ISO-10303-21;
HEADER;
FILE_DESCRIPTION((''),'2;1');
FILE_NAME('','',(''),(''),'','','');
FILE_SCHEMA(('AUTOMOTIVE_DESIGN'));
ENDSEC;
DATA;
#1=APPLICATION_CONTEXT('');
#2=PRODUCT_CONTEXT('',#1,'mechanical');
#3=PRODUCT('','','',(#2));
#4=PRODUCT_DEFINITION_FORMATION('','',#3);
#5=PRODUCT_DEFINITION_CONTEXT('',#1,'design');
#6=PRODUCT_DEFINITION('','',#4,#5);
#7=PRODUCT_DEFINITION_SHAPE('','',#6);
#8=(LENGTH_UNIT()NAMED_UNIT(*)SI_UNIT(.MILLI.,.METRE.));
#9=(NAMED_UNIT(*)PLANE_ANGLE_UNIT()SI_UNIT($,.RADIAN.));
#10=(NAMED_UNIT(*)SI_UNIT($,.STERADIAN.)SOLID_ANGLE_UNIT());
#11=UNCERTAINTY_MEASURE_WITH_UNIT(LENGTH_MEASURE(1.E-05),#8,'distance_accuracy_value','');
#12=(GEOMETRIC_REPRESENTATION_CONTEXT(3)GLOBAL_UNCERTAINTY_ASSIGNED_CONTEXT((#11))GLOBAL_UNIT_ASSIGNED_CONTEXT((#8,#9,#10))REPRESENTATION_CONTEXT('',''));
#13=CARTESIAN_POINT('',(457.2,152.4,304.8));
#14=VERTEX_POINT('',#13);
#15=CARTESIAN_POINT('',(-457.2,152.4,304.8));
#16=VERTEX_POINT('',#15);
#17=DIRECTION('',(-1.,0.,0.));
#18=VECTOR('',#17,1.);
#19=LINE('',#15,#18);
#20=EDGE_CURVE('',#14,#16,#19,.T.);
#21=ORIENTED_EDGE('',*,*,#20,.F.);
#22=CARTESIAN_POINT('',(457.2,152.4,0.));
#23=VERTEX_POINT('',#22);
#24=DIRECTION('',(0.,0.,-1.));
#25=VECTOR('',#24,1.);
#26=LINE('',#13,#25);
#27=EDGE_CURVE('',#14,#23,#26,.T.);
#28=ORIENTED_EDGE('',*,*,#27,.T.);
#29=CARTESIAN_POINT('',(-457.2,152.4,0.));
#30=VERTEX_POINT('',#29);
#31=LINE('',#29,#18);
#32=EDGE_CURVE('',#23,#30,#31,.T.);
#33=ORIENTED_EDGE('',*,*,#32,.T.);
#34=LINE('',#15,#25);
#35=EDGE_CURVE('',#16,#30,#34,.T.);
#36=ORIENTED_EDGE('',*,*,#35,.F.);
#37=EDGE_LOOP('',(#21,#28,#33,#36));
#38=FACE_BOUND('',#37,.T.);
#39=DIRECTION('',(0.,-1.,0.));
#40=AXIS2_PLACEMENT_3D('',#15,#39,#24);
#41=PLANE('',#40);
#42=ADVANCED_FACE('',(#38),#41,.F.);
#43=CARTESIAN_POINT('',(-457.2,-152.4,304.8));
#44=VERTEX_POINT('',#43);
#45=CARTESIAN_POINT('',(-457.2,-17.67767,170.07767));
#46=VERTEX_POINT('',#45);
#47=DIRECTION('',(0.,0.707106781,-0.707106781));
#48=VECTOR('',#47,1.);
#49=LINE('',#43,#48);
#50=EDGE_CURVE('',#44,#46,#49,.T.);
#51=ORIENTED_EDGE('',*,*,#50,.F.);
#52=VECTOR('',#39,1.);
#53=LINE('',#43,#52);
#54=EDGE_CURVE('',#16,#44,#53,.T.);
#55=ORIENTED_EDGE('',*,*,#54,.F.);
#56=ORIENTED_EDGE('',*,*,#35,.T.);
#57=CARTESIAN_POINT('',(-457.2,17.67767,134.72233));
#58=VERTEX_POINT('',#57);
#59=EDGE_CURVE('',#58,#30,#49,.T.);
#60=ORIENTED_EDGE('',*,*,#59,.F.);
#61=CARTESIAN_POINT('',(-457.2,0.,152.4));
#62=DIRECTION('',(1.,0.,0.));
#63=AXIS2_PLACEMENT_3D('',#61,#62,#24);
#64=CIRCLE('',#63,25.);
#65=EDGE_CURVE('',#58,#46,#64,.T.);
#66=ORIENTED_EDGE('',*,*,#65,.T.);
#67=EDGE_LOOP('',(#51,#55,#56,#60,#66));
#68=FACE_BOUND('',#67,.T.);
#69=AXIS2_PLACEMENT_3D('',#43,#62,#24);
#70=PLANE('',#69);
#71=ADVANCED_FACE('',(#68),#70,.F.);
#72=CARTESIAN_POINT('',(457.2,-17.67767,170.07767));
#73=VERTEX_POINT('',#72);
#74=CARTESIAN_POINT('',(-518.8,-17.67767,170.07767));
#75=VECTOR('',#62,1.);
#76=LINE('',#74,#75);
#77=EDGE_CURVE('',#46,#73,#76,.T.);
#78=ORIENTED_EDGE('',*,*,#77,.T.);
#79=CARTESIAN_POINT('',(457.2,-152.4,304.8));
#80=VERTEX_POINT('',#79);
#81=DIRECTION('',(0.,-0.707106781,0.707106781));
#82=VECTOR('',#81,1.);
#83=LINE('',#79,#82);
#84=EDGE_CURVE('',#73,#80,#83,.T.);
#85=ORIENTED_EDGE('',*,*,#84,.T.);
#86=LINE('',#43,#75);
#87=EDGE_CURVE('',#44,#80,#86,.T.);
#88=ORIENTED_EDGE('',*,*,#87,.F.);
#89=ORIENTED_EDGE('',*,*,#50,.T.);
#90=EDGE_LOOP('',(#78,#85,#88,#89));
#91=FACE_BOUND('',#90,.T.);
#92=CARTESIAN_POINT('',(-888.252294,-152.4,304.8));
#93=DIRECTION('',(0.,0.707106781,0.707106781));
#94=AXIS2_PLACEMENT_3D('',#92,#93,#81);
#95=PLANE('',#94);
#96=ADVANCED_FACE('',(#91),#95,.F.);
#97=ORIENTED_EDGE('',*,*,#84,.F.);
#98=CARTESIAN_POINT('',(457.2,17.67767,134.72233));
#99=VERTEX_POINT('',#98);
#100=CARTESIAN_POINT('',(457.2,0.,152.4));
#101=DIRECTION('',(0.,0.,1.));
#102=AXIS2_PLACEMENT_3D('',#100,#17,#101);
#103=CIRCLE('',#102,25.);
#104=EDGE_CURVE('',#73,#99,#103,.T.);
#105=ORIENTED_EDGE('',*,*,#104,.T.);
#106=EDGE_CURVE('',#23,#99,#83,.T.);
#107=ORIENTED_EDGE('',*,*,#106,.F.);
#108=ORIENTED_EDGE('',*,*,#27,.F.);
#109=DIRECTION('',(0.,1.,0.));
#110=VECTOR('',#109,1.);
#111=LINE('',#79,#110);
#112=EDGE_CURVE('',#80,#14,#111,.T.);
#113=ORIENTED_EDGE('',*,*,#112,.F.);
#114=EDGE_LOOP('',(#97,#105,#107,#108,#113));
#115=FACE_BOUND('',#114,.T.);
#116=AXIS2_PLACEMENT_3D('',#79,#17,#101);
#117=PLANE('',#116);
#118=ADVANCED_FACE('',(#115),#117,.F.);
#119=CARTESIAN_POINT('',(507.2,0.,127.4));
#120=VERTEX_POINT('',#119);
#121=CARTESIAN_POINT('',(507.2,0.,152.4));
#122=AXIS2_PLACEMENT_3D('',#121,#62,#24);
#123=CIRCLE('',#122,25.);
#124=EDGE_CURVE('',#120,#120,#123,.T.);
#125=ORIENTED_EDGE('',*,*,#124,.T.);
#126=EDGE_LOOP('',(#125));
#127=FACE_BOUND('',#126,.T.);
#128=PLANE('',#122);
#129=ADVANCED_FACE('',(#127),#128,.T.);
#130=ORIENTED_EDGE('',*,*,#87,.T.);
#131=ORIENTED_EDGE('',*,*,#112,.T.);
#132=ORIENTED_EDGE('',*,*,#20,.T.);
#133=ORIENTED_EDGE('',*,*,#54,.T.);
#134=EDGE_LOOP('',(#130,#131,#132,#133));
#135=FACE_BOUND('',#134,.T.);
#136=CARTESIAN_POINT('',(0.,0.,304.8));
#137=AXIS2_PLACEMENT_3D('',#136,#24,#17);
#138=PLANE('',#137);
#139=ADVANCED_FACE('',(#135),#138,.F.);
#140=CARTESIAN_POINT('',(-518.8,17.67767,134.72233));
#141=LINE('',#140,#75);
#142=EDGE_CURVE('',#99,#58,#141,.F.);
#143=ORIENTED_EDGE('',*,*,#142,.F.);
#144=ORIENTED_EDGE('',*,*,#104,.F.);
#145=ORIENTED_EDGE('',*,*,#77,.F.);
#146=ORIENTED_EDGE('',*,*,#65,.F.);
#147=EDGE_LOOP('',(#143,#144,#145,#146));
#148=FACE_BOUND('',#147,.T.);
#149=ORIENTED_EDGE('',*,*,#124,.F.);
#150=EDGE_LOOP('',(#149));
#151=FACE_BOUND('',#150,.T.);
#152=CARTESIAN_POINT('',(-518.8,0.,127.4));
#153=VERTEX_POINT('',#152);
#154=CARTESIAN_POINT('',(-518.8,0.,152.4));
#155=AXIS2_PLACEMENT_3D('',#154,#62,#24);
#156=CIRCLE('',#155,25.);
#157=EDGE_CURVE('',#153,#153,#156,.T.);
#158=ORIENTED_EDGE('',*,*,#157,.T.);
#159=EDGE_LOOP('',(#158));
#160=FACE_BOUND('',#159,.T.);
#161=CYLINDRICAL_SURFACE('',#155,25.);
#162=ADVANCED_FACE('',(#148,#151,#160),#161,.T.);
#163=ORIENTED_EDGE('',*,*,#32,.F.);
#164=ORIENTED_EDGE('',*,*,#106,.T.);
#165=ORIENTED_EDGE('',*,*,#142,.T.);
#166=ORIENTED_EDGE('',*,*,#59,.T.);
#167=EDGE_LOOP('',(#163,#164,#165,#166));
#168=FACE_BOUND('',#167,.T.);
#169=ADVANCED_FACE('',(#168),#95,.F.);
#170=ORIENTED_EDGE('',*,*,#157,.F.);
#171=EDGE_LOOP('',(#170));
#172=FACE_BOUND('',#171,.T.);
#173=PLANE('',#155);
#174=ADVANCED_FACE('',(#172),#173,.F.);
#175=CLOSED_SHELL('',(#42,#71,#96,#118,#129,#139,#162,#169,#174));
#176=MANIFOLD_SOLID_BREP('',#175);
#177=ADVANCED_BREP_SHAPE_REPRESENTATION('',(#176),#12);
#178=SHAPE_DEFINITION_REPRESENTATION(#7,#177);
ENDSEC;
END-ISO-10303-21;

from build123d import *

# Parameters (mm, degrees)
SKETCH1_W                = 914.4
SKETCH1_H                = 304.8
BOSS_EXTRUDE1_DEPTH      = 304.8
CUT_EXTRUDE1_DEPTH       = 914.4
BOSS_EXTRUDE2_DEPTH      = 50
BOSS_EXTRUDE2_DEPTH_BACK = 976
SKETCH3_R                = 25


with BuildPart() as part:
    # Sketch1 → Boss-Extrude1 (new body)
    with BuildSketch(Plane.XY):
        Rectangle(SKETCH1_W, SKETCH1_H)
    extrude(amount=BOSS_EXTRUDE1_DEPTH)

    # Sketch2 → Cut-Extrude1 (cut)
    with BuildSketch(Plane(origin=(457.2, 0, 0), x_dir=(0, 0, -1), z_dir=(1, 0, 0))):
        Polygon((-304.8, -152.4), (0, 152.4), (0, -152.4), align=None)
    extrude(amount=-CUT_EXTRUDE1_DEPTH, mode=Mode.SUBTRACT)

    # Sketch3 → Boss-Extrude2 (add, two sides: drawn at the far end of the back side and taken through both)
    with BuildSketch(Plane(origin=(457.2, 0, 0), x_dir=(0, 0, -1), z_dir=(1, 0, 0)).offset(-BOSS_EXTRUDE2_DEPTH_BACK)):
        with Locations((-152.4, 0)):
            Circle(SKETCH3_R)
    extrude(amount=BOSS_EXTRUDE2_DEPTH + BOSS_EXTRUDE2_DEPTH_BACK)


solid = part.part
